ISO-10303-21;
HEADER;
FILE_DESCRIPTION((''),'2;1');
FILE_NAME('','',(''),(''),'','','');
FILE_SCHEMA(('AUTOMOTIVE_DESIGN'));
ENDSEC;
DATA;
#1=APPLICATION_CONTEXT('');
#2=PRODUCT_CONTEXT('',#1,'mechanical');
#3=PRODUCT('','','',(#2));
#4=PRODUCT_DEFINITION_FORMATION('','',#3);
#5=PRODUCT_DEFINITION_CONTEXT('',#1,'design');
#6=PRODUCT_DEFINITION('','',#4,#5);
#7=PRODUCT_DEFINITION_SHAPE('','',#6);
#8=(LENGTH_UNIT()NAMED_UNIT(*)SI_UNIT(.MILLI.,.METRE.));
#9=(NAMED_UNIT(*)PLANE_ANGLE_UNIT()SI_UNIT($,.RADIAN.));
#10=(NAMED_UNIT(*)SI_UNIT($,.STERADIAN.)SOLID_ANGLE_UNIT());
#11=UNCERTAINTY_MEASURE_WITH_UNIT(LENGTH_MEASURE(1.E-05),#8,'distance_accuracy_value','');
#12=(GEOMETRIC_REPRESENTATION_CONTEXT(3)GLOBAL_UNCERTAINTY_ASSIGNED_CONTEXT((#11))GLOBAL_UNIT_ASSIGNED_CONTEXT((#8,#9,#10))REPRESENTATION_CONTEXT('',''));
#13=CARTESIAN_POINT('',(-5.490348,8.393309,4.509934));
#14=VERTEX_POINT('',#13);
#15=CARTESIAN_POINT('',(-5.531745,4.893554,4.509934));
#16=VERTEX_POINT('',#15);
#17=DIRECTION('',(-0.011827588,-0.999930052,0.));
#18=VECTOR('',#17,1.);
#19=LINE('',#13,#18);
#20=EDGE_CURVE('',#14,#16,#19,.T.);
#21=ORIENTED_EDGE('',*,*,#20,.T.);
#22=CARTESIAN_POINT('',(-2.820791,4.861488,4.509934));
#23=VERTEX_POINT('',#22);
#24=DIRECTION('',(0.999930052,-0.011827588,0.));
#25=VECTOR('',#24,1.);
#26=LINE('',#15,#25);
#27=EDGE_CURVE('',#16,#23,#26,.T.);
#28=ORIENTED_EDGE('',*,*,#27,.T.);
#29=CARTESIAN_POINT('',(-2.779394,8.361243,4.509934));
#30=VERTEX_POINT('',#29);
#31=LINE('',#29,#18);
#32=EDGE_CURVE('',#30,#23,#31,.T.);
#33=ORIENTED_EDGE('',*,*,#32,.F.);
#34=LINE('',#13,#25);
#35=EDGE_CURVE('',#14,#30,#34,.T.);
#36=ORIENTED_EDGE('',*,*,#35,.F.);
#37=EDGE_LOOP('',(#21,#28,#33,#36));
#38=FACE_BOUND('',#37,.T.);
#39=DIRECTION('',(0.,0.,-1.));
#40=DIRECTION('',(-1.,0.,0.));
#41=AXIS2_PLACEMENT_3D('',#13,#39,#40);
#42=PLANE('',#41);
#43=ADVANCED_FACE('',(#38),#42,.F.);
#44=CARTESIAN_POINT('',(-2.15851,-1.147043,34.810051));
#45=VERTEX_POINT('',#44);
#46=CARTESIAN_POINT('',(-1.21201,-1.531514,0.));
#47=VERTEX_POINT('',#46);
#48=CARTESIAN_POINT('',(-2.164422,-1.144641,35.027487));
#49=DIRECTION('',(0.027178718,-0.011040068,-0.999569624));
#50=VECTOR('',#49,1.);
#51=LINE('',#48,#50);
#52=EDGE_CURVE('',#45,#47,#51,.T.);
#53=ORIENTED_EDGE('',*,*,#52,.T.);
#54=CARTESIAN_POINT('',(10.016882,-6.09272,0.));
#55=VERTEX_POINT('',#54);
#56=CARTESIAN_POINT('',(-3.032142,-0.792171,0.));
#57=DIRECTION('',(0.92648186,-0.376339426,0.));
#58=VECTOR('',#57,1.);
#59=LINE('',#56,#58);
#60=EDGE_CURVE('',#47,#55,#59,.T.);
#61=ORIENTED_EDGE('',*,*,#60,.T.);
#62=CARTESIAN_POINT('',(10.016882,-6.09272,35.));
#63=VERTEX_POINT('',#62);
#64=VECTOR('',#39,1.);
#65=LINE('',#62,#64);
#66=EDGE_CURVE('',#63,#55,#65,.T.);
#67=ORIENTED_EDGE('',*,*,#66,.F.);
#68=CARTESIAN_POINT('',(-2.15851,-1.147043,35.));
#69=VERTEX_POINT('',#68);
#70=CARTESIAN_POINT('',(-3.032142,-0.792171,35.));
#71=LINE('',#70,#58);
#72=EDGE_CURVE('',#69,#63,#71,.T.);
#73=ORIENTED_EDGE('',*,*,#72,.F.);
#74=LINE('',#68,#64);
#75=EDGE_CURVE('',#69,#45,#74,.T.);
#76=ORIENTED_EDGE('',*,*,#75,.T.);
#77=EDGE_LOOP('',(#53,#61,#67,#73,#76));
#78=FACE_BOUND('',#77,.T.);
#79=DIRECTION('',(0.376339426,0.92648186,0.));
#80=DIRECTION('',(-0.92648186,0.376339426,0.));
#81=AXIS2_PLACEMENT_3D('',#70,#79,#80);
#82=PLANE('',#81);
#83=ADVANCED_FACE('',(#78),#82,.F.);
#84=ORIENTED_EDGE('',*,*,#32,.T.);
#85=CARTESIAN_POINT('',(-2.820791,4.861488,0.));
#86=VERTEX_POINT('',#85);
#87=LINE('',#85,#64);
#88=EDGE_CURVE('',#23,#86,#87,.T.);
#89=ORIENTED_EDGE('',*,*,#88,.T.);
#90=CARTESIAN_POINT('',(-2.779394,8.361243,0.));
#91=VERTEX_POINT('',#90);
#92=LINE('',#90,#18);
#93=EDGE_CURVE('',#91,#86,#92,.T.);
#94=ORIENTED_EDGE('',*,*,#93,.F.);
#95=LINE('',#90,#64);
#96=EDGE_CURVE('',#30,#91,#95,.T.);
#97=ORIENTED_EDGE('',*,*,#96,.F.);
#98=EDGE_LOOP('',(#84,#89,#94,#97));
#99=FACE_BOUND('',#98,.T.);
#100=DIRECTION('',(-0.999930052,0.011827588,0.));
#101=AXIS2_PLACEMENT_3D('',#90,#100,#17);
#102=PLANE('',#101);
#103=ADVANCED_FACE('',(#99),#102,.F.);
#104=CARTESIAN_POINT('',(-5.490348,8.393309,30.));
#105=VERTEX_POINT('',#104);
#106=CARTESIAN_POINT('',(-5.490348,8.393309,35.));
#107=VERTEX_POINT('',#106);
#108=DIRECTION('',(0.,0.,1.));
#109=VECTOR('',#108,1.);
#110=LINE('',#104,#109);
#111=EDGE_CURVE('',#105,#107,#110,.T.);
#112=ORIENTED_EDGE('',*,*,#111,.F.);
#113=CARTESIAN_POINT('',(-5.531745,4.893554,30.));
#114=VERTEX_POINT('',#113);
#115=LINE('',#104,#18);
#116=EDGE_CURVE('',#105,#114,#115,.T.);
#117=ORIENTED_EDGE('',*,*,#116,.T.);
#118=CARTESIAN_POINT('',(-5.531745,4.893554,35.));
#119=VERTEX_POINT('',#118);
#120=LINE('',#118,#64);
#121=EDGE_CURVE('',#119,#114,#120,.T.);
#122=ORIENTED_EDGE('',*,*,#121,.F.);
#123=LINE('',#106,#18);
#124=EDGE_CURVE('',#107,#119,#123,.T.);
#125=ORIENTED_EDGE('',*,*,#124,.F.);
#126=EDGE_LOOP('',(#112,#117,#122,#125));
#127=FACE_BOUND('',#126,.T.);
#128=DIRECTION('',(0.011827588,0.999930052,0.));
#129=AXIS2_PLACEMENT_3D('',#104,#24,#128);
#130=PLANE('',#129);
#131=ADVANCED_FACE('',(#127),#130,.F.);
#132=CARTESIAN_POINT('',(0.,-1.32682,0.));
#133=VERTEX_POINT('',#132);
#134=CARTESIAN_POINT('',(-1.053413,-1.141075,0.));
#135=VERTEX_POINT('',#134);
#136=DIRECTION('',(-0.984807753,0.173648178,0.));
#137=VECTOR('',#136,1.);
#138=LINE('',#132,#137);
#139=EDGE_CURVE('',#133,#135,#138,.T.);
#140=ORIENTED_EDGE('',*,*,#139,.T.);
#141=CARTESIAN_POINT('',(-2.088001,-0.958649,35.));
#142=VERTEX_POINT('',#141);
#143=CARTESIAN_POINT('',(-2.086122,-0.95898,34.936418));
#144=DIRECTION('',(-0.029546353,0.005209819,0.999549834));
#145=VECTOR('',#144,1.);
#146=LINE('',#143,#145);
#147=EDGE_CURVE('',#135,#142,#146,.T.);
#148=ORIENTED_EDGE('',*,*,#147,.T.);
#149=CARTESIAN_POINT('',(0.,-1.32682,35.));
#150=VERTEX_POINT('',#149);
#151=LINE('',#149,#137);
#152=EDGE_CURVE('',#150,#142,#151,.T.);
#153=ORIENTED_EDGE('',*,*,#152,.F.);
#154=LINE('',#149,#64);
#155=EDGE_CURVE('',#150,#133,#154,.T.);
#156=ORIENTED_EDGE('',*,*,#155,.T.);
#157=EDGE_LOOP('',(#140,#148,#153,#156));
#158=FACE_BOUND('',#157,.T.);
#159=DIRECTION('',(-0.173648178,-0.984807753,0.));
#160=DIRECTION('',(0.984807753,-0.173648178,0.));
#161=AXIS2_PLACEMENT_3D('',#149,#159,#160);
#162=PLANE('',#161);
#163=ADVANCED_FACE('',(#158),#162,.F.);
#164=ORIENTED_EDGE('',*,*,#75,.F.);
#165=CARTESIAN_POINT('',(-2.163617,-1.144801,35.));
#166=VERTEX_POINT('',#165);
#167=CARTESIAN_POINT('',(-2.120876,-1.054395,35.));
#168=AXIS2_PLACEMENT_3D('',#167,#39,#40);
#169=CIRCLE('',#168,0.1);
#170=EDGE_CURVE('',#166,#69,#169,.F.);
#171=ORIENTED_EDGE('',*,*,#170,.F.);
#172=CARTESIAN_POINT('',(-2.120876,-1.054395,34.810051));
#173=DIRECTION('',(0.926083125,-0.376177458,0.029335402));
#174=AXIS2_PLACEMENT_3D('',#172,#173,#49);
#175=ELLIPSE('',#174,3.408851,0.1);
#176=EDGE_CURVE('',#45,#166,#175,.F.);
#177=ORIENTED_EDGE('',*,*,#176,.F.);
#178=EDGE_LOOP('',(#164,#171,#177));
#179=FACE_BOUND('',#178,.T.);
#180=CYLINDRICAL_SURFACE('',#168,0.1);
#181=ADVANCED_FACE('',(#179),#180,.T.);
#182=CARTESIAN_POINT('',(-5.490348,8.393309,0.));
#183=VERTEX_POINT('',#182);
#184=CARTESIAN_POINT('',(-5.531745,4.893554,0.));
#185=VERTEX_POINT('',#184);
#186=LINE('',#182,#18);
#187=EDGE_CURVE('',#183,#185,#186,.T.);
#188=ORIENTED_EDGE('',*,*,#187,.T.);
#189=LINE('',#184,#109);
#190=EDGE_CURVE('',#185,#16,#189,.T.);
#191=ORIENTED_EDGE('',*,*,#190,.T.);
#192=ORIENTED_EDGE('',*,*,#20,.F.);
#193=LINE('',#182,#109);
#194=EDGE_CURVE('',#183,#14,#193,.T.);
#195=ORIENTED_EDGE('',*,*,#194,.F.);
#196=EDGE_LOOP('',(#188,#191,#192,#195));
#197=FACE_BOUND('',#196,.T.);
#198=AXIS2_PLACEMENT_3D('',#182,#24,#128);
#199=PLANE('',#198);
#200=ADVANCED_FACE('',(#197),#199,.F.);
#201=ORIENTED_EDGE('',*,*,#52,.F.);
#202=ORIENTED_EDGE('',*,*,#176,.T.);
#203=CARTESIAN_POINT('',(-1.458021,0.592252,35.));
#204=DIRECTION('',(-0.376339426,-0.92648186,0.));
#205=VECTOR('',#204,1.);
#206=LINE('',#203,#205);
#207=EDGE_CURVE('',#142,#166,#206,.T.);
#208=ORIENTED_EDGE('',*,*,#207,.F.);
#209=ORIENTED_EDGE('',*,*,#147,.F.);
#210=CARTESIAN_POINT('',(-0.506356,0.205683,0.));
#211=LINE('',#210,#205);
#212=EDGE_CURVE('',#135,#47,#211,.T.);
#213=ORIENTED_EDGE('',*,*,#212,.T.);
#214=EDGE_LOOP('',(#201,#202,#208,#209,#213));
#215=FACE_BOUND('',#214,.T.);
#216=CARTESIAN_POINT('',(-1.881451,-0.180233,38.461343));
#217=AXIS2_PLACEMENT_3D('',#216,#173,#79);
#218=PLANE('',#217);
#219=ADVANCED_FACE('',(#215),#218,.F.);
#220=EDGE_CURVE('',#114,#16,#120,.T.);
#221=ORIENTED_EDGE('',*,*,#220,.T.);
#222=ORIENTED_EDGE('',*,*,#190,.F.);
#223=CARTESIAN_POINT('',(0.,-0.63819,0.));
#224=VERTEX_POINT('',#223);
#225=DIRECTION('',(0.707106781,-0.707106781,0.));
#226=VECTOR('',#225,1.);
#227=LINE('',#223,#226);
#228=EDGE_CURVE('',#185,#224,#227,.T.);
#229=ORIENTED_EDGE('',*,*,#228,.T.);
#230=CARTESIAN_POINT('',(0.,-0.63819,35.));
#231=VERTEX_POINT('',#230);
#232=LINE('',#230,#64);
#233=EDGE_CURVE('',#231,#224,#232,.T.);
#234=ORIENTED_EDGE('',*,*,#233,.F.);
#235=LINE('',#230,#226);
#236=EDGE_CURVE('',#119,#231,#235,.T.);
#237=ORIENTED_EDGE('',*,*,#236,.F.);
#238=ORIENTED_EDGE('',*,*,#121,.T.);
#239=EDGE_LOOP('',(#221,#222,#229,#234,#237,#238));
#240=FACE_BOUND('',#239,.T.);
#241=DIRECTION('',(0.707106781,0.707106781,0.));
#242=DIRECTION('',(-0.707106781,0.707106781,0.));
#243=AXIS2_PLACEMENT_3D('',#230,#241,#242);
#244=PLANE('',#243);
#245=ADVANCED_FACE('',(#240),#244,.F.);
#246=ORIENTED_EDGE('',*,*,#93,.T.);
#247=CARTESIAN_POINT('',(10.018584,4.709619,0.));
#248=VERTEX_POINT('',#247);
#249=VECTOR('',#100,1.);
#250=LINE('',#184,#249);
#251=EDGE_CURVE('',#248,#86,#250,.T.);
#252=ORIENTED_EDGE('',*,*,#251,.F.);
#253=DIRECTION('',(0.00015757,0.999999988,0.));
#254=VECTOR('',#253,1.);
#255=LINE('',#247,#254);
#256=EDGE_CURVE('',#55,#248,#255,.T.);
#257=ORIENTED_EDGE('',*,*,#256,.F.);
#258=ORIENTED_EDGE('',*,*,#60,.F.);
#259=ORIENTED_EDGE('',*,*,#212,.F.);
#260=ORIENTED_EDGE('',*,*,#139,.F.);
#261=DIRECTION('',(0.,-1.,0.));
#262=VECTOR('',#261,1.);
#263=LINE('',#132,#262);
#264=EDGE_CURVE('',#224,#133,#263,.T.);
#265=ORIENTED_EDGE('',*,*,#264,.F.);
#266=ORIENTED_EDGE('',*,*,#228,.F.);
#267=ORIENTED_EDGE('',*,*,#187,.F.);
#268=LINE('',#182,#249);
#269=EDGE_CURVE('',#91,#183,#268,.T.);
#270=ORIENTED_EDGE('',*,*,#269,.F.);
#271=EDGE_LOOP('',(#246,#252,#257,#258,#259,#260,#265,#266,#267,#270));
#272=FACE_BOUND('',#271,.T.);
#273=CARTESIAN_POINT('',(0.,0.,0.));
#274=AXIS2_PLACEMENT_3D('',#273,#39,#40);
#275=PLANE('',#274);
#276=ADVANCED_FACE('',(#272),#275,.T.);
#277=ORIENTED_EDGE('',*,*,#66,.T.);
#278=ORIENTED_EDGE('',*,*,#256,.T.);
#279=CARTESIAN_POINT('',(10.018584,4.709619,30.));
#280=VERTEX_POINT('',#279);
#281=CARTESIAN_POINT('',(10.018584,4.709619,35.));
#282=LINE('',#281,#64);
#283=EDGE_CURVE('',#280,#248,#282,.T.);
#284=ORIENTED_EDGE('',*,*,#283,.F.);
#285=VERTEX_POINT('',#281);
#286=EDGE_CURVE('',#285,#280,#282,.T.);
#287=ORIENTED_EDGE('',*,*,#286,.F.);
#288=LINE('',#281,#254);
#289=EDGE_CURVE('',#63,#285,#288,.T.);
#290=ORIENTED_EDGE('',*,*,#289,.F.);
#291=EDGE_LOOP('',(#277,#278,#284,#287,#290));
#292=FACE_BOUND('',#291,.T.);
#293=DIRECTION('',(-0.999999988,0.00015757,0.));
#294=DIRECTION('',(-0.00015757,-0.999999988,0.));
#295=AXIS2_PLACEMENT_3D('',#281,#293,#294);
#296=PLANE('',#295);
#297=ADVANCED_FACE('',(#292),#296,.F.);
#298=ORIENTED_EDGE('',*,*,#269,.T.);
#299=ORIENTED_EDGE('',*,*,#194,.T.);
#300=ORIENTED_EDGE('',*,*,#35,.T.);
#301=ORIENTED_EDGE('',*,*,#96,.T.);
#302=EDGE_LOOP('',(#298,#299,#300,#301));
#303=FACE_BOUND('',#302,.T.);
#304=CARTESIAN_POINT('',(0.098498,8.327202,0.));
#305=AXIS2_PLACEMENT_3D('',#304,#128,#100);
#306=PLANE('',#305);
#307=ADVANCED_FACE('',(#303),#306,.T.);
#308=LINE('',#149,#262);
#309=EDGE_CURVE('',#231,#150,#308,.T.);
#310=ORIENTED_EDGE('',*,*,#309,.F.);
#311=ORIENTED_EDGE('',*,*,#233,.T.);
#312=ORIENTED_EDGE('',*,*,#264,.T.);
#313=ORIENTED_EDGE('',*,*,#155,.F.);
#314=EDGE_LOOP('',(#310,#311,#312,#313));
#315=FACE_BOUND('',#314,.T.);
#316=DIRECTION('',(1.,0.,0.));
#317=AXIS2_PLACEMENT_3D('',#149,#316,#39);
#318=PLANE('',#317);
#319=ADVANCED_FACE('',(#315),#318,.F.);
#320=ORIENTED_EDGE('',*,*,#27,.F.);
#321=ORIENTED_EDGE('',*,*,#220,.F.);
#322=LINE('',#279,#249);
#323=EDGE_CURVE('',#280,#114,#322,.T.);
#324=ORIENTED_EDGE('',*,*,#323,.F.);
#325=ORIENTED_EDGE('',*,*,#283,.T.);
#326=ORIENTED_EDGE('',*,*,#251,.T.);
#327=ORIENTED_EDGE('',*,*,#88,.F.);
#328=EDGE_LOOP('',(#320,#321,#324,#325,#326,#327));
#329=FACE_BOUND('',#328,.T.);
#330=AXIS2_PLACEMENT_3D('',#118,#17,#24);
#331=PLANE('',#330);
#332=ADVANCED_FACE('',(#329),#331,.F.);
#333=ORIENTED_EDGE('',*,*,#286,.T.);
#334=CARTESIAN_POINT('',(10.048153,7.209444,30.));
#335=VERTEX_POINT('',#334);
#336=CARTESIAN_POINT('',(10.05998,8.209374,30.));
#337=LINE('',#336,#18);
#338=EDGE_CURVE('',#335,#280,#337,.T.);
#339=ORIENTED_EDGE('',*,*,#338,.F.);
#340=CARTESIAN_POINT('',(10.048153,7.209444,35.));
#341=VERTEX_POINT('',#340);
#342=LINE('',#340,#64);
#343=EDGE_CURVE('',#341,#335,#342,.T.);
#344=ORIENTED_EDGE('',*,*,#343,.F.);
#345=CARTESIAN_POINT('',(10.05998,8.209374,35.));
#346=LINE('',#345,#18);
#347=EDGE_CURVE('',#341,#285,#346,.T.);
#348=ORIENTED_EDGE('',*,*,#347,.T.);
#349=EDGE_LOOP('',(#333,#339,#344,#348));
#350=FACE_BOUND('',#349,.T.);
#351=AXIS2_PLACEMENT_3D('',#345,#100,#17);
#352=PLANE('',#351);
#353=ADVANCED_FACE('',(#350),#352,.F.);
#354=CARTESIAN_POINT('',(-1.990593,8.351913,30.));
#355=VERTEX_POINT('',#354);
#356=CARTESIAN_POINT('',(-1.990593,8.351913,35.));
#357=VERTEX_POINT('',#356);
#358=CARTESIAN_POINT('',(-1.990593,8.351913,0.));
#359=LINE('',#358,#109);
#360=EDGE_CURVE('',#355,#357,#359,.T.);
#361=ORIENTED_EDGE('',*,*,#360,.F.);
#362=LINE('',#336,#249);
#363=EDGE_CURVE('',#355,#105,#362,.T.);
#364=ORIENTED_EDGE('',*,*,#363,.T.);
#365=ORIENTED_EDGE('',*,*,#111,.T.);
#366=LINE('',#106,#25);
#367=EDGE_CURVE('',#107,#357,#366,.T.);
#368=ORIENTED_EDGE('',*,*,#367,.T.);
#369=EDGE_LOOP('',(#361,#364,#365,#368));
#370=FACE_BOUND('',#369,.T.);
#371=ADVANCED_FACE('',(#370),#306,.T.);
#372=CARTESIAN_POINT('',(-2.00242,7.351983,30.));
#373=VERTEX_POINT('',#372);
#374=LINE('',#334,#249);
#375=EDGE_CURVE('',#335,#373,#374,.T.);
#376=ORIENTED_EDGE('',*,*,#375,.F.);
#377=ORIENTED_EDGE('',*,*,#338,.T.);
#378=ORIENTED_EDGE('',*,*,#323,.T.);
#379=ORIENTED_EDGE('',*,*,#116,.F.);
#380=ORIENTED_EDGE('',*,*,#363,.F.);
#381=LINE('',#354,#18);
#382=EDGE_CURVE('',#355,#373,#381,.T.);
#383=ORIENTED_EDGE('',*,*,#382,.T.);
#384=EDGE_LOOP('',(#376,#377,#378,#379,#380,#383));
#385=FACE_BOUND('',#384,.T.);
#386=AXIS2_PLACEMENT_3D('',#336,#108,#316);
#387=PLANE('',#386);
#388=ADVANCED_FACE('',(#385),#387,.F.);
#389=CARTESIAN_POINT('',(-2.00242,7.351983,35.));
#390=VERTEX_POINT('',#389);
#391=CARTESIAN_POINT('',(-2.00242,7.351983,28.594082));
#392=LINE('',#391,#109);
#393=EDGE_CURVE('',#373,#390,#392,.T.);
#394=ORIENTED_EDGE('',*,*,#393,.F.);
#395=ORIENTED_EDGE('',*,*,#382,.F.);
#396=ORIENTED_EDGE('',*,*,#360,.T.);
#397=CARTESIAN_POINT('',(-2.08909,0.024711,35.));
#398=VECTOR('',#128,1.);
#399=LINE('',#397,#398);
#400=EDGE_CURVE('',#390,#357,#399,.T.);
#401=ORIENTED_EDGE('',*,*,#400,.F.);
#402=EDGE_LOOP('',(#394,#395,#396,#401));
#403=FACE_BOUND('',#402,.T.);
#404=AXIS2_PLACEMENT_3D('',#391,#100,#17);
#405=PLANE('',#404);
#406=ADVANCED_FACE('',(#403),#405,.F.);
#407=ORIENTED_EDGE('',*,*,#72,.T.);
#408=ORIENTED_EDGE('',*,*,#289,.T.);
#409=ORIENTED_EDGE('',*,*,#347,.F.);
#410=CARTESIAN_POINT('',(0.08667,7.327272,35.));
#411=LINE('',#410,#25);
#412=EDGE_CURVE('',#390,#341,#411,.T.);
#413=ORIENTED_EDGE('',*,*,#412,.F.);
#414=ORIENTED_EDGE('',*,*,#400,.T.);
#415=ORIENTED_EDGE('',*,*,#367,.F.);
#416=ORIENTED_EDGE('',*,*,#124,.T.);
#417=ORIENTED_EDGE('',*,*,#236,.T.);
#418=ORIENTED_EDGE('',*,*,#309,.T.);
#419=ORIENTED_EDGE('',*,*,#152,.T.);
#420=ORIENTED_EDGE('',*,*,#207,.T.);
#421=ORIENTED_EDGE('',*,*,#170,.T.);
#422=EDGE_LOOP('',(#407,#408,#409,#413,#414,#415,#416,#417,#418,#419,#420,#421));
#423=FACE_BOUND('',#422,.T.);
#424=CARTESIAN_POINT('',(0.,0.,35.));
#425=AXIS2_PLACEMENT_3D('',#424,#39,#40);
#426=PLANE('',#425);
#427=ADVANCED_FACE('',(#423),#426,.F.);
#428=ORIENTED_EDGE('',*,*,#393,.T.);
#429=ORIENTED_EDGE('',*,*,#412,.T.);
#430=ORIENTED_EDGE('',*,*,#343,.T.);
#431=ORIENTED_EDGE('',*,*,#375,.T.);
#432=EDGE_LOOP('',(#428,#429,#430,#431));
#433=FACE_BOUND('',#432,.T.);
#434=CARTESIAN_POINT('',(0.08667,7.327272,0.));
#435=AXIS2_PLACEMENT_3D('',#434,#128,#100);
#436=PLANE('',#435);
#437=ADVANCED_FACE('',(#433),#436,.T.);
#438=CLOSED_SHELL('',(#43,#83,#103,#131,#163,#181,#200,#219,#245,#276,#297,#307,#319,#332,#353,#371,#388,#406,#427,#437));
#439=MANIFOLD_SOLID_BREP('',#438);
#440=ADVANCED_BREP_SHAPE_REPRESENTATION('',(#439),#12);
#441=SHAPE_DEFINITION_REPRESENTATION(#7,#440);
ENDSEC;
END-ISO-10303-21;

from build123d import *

# Parameters (mm, degrees)
BOSS_EXTRU_1_DEPTH      = 35
ESQUISSE3_W             = 15.551416147
ESQUISSE3_H             = 5
BOSS_EXTRU_3_DEPTH      = 3.5
ESQUISSE4_W             = 14.990100516
ESQUISSE4_H             = 8.543070591
ENL_V_MAT_EXTRU_4_DEPTH = 11
ESQUISSE5_W             = 2.711143337
ESQUISSE5_H             = 4.509933932
BOSS_EXTRU_4_DEPTH      = 3.5
CONG_2_R                = 0.1
ENL_V_MAT_EXTRU_7_DEPTH = 11


with BuildPart() as part:
    # Esquisse1 → Boss.-Extru.1 (new body)
    with BuildSketch(Plane.XY):
        Polygon((0, -0.638190255), (-5.531744574, 4.893554319), (10.018583778, 4.709618574), (10.016881657, -6.092719993), (-3.032142088, -0.792171418), (0, -1.326819878), align=None)
    extrude(amount=BOSS_EXTRU_1_DEPTH)

    # Esquisse3 → Boss.-Extru.3 (add)
    with BuildSketch(Plane(origin=(0.05710105, 4.827447131, 0), x_dir=(0.9999300516333419, -0.011827588111794733, 0), z_dir=(0.011827588111794733, 0.9999300516333419, 0))):
        with Locations((2.186471492, -32.5)):
            Rectangle(ESQUISSE3_W, ESQUISSE3_H)
    extrude(amount=BOSS_EXTRU_3_DEPTH)

    # Esquisse4 → Enlèv. mat.-Extru.4 (cut)
    with BuildSketch(Plane(origin=(0.21677349, 18.326502828, 0), x_dir=(0.9999300516333419, -0.011827588111794735, 0), z_dir=(0.011827588111794735, 0.9999300516333419, 0))):
        with Locations((5.405813676, -32.865617066)):
            Rectangle(ESQUISSE4_W, ESQUISSE4_H)
    extrude(amount=-ENL_V_MAT_EXTRU_4_DEPTH, mode=Mode.SUBTRACT)

    # Esquisse5 → Boss.-Extru.4 (add)
    with BuildSketch(Plane(origin=(0.05710105, 4.827447131, 0), x_dir=(0.9999300516333419, -0.011827588111794733, 0), z_dir=(0.011827588111794733, 0.9999300516333419, 0))):
        with Locations((-4.233664914, -2.254966966)):
            Rectangle(ESQUISSE5_W, ESQUISSE5_H)
    extrude(amount=BOSS_EXTRU_4_DEPTH)

    # Congé2
    cong_2_edges = [part.edges().sort_by_distance(p)[0] for p in [
        (-3.032142088, -0.792171418, 17.5),
    ]]
    fillet(cong_2_edges, radius=CONG_2_R)

    # Esquisse6 → Enlèv. mat.-Extru.7 (cut)
    with BuildSketch(Plane(origin=(-4.469048391, -11.002015687, 0), x_dir=(-0.9264818598701292, 0.37633942569386236, 0), z_dir=(-0.37633942569386236, -0.9264818598701292, 0))):
        Polygon((1.67530136, 0.492691421), (1.67530136, -38.461342547), (0.532077108, 0.492691421), align=None)
    extrude(amount=-ENL_V_MAT_EXTRU_7_DEPTH, mode=Mode.SUBTRACT)


solid = part.part
